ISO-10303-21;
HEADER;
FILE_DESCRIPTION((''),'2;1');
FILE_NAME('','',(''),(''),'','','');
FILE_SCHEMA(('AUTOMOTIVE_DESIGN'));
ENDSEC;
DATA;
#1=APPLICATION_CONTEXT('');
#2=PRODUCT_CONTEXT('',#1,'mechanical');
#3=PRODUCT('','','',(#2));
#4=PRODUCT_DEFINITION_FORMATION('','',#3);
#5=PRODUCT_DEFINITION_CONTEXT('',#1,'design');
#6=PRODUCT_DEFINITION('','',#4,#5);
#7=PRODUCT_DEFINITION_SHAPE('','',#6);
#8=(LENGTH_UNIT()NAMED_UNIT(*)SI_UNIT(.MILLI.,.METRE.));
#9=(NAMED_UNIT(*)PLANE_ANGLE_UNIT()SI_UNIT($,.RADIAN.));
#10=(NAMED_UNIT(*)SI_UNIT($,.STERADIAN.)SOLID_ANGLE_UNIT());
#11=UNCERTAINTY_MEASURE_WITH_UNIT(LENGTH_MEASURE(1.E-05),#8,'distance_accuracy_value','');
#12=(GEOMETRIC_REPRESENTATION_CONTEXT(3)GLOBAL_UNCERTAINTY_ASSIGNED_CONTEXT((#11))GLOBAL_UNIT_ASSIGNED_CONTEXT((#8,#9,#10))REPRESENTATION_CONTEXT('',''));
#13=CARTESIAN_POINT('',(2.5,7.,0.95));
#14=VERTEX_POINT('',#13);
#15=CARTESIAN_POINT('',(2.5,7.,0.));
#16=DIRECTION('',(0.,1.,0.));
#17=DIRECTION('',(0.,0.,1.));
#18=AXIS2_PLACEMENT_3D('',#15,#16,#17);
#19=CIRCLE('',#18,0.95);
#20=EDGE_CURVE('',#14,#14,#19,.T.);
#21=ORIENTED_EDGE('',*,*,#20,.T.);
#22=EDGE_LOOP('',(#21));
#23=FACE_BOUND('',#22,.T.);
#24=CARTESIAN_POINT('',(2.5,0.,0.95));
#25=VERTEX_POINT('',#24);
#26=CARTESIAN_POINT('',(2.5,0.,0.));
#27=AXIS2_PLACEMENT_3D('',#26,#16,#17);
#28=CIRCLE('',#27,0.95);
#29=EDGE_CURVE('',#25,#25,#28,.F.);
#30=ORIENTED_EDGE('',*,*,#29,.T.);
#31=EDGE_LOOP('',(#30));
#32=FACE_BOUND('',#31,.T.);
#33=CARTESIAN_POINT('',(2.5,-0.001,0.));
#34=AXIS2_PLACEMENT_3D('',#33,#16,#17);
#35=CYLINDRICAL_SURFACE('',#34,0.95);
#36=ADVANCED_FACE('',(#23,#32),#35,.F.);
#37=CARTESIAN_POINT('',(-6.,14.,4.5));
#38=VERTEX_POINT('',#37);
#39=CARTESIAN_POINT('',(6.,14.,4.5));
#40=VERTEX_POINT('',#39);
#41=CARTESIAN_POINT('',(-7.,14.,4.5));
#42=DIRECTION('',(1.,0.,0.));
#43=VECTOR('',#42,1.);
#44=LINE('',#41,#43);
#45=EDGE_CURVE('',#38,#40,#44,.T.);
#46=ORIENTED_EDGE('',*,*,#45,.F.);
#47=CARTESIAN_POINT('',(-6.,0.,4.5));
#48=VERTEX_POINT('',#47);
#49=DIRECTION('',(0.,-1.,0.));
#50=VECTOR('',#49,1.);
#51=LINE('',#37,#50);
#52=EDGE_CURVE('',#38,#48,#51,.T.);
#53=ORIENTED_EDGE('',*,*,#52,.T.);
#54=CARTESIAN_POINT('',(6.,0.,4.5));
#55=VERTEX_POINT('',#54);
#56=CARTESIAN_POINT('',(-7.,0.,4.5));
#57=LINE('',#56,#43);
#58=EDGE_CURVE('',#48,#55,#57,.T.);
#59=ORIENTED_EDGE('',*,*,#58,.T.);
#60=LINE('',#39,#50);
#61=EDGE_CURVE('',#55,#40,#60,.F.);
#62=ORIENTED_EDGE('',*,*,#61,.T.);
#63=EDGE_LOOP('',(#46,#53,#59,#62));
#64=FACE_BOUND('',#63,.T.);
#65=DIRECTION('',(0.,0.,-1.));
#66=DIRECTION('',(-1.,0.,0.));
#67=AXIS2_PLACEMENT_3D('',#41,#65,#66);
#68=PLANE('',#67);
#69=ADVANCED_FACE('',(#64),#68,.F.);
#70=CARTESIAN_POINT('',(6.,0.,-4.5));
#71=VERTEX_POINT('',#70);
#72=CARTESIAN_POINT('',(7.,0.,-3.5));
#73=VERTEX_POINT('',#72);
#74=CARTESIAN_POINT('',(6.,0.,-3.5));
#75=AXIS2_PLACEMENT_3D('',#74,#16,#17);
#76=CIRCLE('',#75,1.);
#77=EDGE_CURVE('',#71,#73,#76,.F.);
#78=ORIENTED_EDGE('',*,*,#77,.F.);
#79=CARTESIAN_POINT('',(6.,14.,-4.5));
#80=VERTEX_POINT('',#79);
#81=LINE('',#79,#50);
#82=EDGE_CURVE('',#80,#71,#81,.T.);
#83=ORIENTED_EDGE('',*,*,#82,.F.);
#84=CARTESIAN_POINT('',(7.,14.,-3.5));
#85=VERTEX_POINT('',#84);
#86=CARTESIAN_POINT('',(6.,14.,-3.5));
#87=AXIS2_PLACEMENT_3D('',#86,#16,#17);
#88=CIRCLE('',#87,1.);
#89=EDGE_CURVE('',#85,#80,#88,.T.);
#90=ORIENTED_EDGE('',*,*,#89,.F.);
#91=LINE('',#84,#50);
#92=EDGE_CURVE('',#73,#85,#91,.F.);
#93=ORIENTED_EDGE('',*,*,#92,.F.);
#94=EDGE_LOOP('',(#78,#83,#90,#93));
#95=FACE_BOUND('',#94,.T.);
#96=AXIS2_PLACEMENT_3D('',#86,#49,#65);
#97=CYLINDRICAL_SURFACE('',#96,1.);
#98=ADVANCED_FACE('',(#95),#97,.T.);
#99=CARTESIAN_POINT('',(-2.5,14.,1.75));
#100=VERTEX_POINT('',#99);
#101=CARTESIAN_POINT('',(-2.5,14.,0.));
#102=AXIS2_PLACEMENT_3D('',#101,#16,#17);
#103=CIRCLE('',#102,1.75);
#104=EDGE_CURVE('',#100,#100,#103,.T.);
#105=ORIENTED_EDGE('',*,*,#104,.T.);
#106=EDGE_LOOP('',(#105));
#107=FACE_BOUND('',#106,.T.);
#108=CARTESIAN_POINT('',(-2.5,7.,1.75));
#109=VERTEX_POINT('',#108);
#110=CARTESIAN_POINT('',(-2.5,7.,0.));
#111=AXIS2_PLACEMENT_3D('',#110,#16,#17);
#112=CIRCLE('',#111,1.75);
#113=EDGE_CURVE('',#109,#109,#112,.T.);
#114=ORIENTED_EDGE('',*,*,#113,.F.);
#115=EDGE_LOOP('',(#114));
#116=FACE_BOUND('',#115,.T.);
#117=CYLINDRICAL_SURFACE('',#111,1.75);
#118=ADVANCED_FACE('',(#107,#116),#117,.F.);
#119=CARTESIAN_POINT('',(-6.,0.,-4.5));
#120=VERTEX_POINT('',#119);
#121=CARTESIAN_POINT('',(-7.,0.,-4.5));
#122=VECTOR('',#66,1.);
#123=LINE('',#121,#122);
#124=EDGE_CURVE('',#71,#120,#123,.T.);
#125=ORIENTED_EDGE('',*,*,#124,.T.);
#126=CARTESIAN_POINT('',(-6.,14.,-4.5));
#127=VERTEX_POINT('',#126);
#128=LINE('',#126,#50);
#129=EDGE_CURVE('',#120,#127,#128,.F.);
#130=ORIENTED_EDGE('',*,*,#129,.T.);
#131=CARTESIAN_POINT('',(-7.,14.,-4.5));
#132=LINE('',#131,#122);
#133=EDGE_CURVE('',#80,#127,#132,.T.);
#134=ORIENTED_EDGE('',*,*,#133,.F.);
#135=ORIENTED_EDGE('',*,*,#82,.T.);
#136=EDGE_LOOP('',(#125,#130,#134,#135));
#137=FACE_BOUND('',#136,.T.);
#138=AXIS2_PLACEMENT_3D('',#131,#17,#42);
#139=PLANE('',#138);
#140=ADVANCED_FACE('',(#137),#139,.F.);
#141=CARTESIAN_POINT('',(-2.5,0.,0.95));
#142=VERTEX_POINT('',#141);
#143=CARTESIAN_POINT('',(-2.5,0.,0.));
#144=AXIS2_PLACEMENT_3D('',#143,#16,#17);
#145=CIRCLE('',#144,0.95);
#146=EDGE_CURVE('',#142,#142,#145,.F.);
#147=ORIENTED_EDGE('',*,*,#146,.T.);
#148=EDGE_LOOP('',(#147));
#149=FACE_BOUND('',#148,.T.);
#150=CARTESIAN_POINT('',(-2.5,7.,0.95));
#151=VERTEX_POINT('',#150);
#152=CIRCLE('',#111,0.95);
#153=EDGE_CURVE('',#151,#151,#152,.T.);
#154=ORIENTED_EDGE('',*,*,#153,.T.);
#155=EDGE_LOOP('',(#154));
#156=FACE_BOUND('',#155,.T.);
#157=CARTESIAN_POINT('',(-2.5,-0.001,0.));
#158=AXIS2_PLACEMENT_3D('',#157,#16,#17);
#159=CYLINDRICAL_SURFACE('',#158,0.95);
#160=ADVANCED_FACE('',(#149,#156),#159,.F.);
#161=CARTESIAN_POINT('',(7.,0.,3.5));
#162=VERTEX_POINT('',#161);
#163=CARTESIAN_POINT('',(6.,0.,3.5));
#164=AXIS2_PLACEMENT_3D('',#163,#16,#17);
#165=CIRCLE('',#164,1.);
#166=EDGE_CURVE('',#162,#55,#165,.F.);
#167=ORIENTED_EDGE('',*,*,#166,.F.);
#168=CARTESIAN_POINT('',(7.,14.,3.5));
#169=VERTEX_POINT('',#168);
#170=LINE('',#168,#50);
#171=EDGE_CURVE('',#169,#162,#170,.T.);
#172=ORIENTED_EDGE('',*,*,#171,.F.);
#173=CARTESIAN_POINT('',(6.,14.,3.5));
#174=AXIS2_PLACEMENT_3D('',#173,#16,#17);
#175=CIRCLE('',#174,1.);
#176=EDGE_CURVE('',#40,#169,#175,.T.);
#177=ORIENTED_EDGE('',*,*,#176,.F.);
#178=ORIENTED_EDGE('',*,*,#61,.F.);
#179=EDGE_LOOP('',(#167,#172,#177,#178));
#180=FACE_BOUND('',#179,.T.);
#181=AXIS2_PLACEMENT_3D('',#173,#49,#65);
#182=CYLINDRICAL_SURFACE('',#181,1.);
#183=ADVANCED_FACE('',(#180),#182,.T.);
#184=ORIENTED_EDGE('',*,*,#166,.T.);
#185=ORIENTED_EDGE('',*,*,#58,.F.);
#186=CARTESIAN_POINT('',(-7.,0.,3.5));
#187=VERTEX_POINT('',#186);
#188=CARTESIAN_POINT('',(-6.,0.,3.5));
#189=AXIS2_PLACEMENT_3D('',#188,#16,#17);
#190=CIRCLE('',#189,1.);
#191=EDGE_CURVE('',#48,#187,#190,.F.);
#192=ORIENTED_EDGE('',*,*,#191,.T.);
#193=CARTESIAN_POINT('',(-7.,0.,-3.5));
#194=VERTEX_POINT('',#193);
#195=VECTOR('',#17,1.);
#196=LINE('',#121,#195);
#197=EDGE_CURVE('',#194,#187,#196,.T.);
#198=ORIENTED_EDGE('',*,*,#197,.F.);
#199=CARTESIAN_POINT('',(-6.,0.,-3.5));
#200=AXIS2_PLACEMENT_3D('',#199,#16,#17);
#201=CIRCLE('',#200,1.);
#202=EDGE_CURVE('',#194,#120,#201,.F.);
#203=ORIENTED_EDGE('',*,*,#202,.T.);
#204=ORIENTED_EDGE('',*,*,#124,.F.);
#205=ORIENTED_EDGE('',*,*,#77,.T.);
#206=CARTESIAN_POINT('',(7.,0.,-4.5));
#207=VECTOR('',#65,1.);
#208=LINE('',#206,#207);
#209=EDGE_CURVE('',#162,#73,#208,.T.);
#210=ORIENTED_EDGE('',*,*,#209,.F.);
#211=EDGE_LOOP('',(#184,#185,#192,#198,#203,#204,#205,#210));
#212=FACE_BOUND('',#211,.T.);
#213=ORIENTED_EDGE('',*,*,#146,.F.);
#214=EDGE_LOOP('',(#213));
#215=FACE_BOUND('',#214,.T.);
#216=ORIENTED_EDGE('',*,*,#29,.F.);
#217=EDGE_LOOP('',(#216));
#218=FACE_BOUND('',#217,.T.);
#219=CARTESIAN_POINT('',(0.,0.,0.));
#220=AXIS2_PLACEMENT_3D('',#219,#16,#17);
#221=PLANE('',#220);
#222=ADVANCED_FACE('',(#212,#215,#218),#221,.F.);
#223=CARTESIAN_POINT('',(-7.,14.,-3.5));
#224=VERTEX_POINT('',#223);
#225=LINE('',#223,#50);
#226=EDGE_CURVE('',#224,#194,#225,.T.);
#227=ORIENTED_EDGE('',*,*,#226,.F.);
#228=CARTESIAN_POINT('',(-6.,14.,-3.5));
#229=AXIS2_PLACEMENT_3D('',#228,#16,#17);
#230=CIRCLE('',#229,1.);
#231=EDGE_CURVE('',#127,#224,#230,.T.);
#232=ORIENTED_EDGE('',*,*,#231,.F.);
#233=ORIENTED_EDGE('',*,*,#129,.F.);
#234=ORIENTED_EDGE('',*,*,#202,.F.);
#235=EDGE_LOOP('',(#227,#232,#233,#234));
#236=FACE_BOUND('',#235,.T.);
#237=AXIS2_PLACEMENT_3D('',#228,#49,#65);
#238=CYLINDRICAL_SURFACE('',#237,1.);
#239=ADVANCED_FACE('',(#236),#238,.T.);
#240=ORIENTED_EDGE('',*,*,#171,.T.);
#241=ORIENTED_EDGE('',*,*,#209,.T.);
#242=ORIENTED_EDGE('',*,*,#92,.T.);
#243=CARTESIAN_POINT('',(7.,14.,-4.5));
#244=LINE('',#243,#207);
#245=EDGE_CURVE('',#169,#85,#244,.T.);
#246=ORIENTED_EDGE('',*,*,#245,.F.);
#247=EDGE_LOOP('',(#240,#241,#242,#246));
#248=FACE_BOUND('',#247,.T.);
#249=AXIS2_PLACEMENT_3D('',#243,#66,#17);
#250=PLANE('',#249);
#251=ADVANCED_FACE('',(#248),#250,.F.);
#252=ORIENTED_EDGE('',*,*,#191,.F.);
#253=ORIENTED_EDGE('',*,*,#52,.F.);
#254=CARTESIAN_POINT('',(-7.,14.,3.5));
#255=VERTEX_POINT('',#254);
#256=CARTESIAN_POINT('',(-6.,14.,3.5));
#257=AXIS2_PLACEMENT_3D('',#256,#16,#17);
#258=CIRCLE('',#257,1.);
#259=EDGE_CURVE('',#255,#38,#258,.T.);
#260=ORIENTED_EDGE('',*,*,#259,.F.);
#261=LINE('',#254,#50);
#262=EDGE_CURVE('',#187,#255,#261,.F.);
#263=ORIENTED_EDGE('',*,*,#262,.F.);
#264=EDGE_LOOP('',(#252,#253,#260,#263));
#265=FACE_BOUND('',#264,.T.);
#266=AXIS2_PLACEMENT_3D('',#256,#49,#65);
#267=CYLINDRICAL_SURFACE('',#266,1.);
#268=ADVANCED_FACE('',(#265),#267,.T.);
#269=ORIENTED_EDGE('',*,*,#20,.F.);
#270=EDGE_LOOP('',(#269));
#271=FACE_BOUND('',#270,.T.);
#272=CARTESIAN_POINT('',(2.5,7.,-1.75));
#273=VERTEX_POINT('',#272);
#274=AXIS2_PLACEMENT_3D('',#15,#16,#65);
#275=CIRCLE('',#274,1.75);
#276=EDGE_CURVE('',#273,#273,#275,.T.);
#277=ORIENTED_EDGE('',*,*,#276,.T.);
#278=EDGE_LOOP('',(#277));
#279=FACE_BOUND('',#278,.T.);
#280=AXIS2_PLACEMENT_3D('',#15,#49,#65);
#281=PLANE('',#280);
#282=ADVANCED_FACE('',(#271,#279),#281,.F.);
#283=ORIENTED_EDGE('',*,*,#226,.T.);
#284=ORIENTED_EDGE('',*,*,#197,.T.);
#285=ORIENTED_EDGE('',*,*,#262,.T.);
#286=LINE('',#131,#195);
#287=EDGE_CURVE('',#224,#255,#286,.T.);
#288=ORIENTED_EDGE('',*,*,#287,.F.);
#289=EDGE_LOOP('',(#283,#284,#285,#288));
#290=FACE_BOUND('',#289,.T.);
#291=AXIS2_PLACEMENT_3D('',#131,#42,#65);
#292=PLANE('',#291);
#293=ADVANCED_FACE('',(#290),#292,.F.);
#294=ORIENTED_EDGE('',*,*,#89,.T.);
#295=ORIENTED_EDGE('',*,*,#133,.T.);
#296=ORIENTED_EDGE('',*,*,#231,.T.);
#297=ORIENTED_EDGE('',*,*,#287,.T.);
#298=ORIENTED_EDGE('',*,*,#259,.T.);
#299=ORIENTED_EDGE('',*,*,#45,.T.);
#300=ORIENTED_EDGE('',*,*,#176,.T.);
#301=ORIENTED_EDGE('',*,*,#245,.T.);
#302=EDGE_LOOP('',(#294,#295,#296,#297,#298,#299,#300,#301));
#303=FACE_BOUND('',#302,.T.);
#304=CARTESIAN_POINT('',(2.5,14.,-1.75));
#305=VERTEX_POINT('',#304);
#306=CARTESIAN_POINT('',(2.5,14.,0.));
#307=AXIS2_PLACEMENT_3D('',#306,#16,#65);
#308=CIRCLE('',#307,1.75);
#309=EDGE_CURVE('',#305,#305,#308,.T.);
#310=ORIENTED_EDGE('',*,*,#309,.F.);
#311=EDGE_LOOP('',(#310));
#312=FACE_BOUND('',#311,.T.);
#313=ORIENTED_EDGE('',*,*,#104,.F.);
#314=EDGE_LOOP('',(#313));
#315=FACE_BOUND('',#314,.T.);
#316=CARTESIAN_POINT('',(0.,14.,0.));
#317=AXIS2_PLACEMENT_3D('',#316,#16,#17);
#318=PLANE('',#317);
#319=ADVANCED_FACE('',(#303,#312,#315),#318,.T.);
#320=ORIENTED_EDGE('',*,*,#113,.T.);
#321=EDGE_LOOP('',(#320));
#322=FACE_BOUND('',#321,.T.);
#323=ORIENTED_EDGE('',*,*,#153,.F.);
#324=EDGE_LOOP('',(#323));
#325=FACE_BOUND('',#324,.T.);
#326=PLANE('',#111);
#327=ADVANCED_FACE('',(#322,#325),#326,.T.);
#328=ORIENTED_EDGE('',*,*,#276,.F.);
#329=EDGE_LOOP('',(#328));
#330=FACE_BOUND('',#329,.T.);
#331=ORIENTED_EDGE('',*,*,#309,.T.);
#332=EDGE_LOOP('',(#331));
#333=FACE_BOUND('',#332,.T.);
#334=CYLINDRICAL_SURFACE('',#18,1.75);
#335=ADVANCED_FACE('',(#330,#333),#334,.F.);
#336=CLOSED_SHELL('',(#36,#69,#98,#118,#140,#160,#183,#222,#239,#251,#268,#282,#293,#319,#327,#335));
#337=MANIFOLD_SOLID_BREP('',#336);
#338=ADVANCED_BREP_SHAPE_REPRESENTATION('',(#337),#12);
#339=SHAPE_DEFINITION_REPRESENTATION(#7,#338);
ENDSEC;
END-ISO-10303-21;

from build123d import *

# Parameters (mm, degrees)
SKETCH_1_W          = 14
SKETCH_1_H          = 9
EXTRUDE_1_DEPTH     = 14
FILLET_1_R          = 1
SKETCH_3_R          = 1.75
CUT_EXTRUDE_2_DEPTH = 7
CUT_EXTRUDE_3_REACH = 12.874
SKETCH_4_R          = 0.95


with BuildPart() as part:
    # 草图1 → 凸台-拉伸1 (new body)
    with BuildSketch(Plane(origin=(0, 0, 0), x_dir=(1, 0, 0), z_dir=(0, 1, 0))):
        Rectangle(SKETCH_1_W, SKETCH_1_H)
    extrude(amount=EXTRUDE_1_DEPTH)

    # 圆角1
    fillet_1_edges = [part.edges().sort_by_distance(p)[0] for p in [
        (7, 7, 4.5),
        (-7, 7, 4.5),
        (-7, 7, -4.5),
        (7, 7, -4.5),
    ]]
    fillet(fillet_1_edges, radius=FILLET_1_R)

    # 草图3 → 切除-拉伸2 (cut)
    with BuildSketch(Plane(origin=(0, 14, 0), x_dir=(1, 0, 0), z_dir=(0, 1, 0))):
        with Locations(Location((-2.5, 0, 0), (0, 0, 270))):
            Circle(SKETCH_3_R)
        with Locations(Location((2.5, 0, 0), (0, 0, 90))):
            Circle(SKETCH_3_R)
    extrude(amount=-CUT_EXTRUDE_2_DEPTH, mode=Mode.SUBTRACT)

    # 草图4 → 切除-拉伸3 (cut, up to next)
    with BuildSketch(Plane(origin=(0, 7, 0), x_dir=(1, 0, 0), z_dir=(0, 1, 0)), mode=Mode.PRIVATE) as cut_extrude_3_sk1:
        with Locations(Location((-2.5, 0, 0), (0, 0, 270))):
            Circle(SKETCH_4_R)
    cut_extrude_3_tool1 = extrude(cut_extrude_3_sk1.sketch, amount=-CUT_EXTRUDE_3_REACH, mode=Mode.PRIVATE) & part.part
    # 草图4 → 切除-拉伸3 (cut, up to next)
    with BuildSketch(Plane(origin=(0, 7, 0), x_dir=(1, 0, 0), z_dir=(0, 1, 0)), mode=Mode.PRIVATE) as cut_extrude_3_sk2:
        with Locations(Location((2.5, 0, 0), (0, 0, 270))):
            Circle(SKETCH_4_R)
    cut_extrude_3_tool2 = extrude(cut_extrude_3_sk2.sketch, amount=-CUT_EXTRUDE_3_REACH, mode=Mode.PRIVATE) & part.part
    add(cut_extrude_3_tool1.solids().sort_by_distance((-2.5, 7, 0))[0], mode=Mode.SUBTRACT)
    add(cut_extrude_3_tool2.solids().sort_by_distance((2.5, 7, 0))[0], mode=Mode.SUBTRACT)


solid = part.part
